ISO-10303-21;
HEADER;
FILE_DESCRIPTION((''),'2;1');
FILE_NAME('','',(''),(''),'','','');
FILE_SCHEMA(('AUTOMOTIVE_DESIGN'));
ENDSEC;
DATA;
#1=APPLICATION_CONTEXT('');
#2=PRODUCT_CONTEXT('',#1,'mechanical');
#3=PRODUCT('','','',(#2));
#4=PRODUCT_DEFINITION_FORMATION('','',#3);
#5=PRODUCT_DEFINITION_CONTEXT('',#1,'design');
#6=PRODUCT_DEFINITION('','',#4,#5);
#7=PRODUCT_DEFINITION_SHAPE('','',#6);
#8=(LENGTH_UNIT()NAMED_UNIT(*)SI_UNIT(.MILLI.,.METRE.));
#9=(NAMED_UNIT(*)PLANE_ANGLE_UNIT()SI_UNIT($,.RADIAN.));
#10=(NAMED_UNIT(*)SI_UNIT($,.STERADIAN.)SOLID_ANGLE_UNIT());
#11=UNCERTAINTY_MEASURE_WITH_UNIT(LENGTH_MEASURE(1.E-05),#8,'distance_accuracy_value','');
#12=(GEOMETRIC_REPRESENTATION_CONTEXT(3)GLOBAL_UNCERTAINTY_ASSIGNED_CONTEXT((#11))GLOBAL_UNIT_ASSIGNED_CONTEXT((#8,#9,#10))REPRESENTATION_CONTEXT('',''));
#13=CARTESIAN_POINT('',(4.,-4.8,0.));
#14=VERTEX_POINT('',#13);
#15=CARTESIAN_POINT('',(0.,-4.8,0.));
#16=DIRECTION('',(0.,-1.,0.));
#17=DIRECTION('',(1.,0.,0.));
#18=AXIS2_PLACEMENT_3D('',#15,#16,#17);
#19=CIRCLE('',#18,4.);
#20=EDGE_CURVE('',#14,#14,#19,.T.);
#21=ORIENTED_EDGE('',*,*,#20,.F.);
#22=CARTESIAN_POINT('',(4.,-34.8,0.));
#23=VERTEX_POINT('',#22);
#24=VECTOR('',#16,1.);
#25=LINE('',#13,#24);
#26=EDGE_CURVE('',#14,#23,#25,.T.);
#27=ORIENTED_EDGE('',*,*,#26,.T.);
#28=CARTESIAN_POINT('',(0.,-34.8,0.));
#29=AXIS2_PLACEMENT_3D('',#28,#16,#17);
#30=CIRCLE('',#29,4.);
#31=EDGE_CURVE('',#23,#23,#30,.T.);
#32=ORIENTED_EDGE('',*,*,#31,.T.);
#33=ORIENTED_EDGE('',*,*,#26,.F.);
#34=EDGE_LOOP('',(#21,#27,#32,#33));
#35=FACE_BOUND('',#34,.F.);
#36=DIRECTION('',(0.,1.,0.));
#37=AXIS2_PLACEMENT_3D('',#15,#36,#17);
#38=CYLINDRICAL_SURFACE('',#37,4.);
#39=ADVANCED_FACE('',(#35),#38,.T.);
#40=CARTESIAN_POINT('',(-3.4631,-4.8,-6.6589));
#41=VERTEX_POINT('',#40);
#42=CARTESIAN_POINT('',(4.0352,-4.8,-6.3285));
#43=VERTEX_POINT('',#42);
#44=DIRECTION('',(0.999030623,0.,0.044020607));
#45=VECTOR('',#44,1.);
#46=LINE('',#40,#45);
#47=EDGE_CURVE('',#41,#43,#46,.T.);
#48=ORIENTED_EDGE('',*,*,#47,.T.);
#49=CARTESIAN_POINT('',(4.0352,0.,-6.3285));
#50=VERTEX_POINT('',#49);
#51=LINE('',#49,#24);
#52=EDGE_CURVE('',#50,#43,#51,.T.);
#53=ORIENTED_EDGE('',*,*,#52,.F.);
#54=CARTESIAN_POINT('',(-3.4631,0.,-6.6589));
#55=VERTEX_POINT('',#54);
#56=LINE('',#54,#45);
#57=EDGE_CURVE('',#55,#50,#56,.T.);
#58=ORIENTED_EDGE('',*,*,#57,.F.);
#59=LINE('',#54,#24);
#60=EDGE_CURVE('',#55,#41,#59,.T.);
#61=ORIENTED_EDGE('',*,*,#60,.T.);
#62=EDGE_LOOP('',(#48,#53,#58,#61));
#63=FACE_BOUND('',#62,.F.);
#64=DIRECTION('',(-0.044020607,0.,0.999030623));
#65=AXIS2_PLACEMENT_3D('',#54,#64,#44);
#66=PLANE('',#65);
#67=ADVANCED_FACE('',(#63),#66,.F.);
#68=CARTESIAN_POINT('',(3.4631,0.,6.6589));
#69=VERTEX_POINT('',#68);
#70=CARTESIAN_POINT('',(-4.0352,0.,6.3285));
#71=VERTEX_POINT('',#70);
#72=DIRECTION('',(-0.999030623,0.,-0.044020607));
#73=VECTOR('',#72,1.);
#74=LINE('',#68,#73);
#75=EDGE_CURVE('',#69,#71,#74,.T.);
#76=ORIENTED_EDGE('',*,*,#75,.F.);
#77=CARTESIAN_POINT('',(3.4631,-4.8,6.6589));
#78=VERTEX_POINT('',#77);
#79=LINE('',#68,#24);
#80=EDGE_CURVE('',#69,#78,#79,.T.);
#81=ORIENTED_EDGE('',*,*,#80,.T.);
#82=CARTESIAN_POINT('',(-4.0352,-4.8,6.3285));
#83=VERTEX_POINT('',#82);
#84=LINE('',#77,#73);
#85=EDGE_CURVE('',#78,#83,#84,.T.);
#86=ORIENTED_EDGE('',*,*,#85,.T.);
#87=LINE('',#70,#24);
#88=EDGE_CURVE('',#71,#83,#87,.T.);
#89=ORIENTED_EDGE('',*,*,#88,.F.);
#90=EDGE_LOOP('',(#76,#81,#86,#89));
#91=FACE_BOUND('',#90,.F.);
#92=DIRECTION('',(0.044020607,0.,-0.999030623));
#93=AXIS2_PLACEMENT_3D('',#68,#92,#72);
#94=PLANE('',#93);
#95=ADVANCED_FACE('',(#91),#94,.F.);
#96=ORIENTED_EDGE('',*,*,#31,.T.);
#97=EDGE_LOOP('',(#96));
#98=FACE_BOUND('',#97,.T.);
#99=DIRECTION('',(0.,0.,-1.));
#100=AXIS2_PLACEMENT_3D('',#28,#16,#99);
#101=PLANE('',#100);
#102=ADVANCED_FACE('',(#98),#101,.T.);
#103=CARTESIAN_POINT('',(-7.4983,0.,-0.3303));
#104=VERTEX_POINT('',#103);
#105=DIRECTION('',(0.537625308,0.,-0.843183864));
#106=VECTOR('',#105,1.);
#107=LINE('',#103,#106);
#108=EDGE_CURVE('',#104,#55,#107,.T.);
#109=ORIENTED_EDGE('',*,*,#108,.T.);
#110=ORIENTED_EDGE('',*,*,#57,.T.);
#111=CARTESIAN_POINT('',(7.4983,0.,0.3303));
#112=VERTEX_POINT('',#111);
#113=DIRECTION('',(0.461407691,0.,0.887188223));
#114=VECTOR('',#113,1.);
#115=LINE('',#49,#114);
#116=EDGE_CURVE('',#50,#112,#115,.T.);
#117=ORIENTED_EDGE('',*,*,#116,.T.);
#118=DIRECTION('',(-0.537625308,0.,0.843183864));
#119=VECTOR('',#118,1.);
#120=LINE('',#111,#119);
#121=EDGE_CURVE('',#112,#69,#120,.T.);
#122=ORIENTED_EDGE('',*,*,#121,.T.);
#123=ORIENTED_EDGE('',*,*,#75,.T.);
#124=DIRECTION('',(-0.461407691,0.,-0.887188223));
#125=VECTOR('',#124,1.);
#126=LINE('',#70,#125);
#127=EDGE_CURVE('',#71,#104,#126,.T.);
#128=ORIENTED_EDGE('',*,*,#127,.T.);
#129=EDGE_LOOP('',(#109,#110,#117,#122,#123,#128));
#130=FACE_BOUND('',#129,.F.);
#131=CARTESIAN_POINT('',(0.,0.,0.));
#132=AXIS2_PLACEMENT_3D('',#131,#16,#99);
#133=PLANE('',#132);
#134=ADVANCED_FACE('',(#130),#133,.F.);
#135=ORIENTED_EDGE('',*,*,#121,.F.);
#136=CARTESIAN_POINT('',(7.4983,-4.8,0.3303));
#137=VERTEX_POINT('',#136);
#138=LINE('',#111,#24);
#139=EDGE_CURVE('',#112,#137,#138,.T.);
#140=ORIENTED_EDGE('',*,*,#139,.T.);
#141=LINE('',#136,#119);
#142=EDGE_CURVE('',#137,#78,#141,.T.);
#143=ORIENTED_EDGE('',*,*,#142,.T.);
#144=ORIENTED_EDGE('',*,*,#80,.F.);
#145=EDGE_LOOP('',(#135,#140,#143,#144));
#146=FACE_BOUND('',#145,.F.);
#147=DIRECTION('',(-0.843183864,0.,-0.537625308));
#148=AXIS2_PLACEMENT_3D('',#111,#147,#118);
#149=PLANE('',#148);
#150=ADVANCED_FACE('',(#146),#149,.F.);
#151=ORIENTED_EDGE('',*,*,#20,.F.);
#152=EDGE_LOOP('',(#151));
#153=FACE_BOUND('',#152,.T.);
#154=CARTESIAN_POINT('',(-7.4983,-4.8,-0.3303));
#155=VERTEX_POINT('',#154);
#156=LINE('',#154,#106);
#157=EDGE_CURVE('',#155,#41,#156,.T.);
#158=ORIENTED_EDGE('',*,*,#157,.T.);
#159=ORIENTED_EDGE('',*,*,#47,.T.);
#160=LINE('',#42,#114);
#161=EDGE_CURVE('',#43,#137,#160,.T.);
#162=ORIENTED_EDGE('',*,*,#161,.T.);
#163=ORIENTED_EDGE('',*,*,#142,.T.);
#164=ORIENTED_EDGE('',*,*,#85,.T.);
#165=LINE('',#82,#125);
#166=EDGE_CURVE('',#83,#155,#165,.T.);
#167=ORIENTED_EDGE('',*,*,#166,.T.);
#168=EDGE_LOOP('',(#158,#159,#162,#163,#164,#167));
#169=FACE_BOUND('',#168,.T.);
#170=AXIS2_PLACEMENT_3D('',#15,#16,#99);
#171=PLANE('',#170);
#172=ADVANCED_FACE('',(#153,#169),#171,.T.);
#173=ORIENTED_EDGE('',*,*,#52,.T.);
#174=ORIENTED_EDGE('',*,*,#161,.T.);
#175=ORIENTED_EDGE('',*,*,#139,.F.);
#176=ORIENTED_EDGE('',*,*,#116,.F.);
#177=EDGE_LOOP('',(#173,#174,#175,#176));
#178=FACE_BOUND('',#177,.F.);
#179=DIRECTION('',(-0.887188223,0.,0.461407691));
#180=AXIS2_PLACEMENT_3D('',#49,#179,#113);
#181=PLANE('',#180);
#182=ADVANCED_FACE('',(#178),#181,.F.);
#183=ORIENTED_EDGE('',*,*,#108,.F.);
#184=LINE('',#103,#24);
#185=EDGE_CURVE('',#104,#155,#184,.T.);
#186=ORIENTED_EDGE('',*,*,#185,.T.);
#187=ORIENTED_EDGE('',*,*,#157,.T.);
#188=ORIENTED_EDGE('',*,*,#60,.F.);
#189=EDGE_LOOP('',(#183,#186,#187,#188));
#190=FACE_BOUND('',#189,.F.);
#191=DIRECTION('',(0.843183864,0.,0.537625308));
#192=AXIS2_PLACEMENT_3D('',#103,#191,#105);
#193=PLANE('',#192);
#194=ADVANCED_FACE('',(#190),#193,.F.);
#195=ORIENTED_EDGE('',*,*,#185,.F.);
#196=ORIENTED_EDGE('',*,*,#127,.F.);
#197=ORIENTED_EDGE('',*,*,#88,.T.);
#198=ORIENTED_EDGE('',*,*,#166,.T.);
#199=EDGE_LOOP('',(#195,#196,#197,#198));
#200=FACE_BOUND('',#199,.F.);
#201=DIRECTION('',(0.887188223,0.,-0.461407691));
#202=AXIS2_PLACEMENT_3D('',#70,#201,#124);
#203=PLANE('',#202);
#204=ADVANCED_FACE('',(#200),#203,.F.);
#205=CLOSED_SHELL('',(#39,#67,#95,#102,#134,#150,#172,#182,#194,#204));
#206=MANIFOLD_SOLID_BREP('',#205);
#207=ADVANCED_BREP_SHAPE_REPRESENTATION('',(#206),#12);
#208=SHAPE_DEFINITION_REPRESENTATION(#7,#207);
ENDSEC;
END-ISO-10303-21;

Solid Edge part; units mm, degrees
sketch "Sketch1" plane through (0, 0, 0) normal (0, -1, 0) x (1, 0, 0)
  line L0 (3.4631, 6.6589) -> (-4.0352, 6.3285)
  line L1 (-4.0352, 6.3285) -> (-7.4983, -0.3303)
  line L2 (-7.4983, -0.3303) -> (-3.4631, -6.6589)
  line L3 (-3.4631, -6.6589) -> (4.0352, -6.3285)
  line L4 (4.0352, -6.3285) -> (7.4983, 0.3303)
  line L5 (7.4983, 0.3303) -> (3.4631, 6.6589)
extrude "Protrusion1" add sketch "Sketch1" along normal blind 4.8
sketch "Sketch2" plane through (0, -4.8, 0) normal (0, -1, 0) x (1, 0, 0)
  circle A0 centre (0, 0) radius 4
extrude "ExtrudedProtrusion_2" add sketch "Sketch2" along normal blind 30
cosmetic_thread "Thread1" size "M8"
properties material "Nylon, general purpose"
